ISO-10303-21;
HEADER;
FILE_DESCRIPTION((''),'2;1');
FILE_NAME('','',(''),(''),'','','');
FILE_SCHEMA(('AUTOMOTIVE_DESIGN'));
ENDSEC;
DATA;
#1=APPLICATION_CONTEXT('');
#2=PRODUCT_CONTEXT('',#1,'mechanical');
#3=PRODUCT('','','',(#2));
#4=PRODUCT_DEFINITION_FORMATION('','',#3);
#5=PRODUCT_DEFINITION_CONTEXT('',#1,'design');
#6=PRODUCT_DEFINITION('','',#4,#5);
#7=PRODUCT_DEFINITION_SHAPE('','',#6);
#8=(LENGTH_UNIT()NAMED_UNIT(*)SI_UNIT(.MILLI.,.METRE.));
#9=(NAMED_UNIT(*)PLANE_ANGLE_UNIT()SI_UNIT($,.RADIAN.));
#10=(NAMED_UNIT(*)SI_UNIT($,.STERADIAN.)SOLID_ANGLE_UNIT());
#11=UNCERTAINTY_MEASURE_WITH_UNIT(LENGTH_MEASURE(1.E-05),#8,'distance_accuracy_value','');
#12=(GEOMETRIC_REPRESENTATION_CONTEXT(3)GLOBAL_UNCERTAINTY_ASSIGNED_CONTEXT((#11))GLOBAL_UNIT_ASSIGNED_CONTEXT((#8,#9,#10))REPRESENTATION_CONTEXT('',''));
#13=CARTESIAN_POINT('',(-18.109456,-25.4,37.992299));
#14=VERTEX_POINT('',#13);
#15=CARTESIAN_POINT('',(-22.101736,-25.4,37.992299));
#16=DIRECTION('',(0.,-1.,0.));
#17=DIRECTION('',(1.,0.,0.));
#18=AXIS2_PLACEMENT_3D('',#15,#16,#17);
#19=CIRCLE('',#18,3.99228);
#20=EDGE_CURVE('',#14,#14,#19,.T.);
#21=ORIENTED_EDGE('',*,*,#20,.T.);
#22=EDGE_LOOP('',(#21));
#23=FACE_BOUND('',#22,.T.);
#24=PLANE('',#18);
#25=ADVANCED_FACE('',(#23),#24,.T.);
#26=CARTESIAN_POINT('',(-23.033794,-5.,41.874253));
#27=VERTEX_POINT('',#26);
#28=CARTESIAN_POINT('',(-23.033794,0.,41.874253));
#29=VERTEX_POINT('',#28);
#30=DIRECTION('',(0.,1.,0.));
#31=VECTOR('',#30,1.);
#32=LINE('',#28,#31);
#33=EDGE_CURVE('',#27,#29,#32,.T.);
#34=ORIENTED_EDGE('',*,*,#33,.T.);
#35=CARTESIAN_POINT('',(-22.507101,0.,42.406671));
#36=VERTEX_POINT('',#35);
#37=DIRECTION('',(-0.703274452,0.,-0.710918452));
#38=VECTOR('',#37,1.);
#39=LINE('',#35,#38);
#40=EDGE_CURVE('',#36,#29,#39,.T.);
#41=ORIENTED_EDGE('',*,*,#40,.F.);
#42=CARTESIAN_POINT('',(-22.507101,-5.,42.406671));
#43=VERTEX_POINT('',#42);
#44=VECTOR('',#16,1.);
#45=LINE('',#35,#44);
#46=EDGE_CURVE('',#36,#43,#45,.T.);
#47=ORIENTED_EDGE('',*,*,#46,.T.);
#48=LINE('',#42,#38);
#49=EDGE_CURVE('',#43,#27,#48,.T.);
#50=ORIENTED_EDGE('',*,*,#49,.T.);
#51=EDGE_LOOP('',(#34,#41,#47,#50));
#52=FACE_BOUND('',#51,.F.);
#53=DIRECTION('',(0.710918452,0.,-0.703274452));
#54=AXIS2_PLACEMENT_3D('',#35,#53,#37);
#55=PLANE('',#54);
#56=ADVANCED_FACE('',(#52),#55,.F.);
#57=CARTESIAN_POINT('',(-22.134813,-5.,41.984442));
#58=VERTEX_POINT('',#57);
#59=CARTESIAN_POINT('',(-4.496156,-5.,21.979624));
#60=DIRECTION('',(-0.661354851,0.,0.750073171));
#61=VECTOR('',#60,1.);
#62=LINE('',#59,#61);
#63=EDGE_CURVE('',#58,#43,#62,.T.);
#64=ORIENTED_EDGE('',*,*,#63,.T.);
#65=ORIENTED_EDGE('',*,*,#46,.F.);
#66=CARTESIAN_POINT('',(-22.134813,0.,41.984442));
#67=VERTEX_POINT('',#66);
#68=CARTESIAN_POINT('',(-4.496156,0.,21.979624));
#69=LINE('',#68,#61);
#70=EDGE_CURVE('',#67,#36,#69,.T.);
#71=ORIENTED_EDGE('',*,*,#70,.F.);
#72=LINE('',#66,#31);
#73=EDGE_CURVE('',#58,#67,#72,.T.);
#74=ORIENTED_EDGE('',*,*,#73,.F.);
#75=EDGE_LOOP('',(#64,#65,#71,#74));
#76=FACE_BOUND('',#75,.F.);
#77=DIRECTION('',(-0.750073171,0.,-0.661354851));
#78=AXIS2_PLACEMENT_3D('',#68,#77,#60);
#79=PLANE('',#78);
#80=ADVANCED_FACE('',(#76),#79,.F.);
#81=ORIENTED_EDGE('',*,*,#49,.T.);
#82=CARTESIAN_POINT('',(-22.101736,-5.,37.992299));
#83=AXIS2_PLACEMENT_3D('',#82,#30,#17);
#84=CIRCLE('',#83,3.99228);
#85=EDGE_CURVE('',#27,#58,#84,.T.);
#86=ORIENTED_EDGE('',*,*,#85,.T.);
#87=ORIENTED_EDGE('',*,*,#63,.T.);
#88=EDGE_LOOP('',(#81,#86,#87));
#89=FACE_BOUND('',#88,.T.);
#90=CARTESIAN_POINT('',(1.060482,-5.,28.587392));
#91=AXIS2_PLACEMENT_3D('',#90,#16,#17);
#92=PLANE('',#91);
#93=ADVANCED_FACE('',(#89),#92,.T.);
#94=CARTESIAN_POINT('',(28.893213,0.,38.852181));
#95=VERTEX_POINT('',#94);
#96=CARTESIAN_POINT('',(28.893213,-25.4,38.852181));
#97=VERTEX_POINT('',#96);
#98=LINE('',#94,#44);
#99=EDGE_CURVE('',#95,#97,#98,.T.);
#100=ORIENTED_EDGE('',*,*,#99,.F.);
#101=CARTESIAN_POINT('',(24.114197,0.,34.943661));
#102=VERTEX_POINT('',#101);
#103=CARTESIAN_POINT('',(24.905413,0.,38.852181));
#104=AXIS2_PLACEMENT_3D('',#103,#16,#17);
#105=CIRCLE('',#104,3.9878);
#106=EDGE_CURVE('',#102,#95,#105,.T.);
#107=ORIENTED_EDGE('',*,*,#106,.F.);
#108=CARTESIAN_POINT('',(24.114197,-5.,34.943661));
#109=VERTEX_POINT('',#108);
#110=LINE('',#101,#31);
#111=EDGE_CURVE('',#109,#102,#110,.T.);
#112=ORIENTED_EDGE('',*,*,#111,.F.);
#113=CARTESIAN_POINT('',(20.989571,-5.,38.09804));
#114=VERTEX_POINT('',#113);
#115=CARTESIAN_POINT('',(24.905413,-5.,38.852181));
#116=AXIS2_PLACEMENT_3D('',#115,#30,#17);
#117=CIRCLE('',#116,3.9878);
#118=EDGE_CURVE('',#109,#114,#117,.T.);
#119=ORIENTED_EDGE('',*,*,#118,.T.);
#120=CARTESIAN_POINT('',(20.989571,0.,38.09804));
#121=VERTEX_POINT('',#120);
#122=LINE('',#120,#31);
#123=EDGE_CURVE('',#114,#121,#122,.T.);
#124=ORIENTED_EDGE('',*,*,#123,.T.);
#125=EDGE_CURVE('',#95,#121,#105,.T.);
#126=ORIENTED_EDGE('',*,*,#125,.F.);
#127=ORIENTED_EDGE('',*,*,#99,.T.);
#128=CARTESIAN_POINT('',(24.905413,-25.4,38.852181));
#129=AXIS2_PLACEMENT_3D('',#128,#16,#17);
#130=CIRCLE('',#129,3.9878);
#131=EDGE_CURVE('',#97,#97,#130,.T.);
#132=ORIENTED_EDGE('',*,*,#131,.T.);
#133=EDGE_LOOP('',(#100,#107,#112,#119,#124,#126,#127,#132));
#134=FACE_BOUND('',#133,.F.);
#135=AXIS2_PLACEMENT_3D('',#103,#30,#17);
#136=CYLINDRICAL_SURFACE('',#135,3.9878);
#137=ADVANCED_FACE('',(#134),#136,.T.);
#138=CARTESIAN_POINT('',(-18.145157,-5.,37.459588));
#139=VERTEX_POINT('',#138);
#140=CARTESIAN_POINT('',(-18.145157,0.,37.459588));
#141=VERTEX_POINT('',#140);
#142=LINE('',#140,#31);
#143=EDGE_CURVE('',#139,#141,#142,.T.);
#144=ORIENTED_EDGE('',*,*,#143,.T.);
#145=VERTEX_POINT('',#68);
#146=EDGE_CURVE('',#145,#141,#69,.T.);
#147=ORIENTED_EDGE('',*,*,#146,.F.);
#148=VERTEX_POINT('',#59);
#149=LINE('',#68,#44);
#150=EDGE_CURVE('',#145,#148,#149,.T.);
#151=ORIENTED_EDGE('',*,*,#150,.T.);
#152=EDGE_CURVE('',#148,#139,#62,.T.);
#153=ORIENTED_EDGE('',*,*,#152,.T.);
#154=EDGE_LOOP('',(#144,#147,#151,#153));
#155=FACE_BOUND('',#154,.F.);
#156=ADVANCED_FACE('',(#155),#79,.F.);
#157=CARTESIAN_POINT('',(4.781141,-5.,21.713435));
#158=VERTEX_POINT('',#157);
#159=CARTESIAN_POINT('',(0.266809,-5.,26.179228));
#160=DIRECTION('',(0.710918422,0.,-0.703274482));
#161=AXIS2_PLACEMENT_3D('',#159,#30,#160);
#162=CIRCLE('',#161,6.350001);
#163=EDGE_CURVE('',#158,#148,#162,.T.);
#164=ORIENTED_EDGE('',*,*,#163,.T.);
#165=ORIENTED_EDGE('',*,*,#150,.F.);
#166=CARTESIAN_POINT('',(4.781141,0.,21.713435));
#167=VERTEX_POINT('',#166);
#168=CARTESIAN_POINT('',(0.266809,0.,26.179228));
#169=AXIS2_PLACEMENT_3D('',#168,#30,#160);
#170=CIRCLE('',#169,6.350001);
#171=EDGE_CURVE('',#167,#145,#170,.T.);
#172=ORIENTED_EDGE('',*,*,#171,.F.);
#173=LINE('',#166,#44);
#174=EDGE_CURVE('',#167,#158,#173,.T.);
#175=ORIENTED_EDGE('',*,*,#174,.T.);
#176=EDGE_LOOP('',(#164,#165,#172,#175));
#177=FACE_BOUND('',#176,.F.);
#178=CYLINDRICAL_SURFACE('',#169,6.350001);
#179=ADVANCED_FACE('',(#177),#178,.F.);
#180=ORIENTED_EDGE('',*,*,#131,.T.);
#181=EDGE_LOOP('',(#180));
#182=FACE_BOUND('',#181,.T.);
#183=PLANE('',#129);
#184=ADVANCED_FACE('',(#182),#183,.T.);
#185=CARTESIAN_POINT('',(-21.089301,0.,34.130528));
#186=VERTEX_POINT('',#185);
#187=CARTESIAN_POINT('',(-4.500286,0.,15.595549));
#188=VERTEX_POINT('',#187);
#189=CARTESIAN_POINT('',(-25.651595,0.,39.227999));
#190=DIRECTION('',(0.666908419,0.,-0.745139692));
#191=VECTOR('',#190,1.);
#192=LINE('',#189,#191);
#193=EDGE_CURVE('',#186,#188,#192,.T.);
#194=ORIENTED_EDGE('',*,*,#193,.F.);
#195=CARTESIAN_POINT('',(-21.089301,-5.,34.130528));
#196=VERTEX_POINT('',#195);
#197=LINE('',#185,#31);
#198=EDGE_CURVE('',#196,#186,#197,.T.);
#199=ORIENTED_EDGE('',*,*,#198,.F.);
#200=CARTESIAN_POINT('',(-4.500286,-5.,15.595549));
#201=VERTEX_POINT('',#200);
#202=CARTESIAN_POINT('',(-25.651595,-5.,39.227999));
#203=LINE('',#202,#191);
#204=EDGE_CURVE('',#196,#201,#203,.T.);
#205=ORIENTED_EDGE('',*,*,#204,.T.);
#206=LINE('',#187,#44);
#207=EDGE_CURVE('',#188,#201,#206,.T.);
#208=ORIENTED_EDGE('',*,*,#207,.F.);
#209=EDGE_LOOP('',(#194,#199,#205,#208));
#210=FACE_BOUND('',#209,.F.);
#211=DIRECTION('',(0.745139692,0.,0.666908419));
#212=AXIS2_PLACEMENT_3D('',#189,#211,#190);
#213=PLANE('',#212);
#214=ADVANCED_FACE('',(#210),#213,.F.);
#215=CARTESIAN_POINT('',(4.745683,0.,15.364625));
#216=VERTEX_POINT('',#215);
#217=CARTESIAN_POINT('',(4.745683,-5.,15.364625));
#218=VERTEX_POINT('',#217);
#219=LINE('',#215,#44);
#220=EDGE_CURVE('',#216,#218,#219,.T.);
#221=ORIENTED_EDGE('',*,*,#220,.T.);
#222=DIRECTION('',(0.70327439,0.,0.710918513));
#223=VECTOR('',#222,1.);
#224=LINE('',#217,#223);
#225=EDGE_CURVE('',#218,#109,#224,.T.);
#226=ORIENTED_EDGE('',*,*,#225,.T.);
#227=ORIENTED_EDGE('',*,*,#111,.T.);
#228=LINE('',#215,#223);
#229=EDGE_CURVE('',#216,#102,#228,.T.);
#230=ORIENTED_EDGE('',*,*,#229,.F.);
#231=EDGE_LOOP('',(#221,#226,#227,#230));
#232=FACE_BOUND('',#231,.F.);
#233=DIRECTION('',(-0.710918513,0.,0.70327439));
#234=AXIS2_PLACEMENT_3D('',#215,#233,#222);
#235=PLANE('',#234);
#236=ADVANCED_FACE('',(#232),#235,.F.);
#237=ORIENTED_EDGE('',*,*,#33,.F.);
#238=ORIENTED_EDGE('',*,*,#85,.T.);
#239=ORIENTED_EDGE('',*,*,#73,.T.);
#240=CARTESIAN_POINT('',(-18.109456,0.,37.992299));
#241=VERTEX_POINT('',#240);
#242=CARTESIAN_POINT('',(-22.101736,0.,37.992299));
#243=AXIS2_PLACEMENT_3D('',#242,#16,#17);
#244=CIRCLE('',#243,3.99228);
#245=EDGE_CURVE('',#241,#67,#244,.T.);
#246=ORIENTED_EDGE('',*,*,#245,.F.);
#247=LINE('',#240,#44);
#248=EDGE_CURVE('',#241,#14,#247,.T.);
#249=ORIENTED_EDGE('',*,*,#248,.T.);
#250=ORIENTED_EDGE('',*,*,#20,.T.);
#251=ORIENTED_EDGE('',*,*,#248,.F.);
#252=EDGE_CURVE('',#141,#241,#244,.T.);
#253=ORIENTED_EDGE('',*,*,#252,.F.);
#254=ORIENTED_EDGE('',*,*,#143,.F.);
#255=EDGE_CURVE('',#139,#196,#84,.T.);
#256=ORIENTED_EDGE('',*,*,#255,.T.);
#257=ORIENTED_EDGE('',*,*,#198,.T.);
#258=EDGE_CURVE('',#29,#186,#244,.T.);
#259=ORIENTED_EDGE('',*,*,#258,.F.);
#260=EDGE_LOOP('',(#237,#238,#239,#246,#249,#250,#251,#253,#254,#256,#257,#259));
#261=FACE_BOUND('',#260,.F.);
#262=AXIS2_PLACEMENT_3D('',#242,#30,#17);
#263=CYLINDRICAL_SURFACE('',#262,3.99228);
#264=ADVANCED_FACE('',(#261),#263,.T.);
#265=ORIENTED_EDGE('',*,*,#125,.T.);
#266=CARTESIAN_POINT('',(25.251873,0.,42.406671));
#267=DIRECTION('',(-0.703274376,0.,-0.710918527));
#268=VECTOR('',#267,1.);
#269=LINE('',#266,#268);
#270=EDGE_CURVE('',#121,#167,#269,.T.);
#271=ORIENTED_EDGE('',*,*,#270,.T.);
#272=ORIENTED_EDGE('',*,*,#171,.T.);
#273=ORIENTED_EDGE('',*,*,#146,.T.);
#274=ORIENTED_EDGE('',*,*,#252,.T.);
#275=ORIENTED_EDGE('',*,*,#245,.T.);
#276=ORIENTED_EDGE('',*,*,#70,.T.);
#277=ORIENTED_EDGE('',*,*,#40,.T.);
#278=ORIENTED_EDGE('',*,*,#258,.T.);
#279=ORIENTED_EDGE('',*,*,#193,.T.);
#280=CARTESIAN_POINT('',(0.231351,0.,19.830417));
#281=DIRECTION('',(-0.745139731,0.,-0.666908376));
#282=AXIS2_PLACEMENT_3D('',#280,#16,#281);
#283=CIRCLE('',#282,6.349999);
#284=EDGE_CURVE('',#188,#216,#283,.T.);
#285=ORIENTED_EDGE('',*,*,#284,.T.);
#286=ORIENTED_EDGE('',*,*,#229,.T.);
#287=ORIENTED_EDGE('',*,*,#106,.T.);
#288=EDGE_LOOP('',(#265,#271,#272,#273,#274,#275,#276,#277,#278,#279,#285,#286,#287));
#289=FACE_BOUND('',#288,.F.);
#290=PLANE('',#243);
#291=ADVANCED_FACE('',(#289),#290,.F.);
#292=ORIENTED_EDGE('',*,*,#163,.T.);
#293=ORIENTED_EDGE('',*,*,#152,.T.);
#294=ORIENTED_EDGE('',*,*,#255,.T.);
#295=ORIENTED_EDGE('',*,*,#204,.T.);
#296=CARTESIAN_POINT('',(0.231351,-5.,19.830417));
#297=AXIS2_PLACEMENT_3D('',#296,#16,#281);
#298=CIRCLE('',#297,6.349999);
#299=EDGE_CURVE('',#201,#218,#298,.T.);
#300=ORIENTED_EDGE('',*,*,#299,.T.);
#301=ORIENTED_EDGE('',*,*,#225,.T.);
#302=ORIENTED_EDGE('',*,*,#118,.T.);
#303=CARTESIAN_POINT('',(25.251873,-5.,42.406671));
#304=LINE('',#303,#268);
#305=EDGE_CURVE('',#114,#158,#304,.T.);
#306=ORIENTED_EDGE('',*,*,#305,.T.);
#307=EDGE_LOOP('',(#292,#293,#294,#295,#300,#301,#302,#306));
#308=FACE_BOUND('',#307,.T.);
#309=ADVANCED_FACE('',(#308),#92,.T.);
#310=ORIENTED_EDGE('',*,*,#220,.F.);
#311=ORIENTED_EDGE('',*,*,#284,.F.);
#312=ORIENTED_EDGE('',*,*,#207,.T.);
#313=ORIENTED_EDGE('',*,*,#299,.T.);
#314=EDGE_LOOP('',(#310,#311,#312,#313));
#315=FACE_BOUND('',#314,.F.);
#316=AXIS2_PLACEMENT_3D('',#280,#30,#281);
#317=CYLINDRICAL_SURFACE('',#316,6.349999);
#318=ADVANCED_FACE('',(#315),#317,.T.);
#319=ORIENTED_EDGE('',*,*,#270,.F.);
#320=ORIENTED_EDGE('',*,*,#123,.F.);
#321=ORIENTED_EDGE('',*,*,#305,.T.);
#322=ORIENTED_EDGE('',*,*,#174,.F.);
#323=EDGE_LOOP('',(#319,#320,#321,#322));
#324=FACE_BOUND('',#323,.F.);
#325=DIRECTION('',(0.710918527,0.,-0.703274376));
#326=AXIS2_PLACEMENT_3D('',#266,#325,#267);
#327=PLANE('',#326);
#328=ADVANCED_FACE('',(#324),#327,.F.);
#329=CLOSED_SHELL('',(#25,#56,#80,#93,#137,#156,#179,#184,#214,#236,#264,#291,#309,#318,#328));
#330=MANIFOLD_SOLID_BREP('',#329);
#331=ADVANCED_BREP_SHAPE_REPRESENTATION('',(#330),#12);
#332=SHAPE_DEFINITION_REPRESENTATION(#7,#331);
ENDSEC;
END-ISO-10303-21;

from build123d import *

# Parameters (mm, degrees)
F2_DEPTH = 5
F1_R     = 3.99228
F1_R_2   = 3.9878
F3_DEPTH = 25.4


with BuildPart() as f2:
    # F0 (on Front) → F2 (new body)
    with BuildSketch(Plane.XZ):
        with BuildLine():
            Line((-4.496156, 21.979624), (-22.507101, 42.406671))
            Line((-22.507101, 42.406671), (-25.651595, 39.227999))
            Line((-25.651595, 39.227999), (-4.500286, 15.595549))
            ThreePointArc((-4.500286, 15.595549), (0.072805, 13.482397), (4.745683, 15.364625))
            Line((4.745683, 15.364625), (28.352467, 39.227999))
            Line((28.352467, 39.227999), (25.251873, 42.406671))
            Line((25.251873, 42.406671), (4.781141, 21.713435))
            ThreePointArc((4.781141, 21.713435), (0.084686, 19.83184), (-4.496156, 21.979624))
        make_face()
    extrude(amount=F2_DEPTH)

    # F1 (on face) → F3 (join)
    with BuildSketch(Plane.XZ):
        with Locations((-22.101736, 37.992299)):
            Circle(F1_R)
        with Locations((24.905413, 38.852181)):
            Circle(F1_R_2)
    extrude(amount=F3_DEPTH)


solid = f2.part
